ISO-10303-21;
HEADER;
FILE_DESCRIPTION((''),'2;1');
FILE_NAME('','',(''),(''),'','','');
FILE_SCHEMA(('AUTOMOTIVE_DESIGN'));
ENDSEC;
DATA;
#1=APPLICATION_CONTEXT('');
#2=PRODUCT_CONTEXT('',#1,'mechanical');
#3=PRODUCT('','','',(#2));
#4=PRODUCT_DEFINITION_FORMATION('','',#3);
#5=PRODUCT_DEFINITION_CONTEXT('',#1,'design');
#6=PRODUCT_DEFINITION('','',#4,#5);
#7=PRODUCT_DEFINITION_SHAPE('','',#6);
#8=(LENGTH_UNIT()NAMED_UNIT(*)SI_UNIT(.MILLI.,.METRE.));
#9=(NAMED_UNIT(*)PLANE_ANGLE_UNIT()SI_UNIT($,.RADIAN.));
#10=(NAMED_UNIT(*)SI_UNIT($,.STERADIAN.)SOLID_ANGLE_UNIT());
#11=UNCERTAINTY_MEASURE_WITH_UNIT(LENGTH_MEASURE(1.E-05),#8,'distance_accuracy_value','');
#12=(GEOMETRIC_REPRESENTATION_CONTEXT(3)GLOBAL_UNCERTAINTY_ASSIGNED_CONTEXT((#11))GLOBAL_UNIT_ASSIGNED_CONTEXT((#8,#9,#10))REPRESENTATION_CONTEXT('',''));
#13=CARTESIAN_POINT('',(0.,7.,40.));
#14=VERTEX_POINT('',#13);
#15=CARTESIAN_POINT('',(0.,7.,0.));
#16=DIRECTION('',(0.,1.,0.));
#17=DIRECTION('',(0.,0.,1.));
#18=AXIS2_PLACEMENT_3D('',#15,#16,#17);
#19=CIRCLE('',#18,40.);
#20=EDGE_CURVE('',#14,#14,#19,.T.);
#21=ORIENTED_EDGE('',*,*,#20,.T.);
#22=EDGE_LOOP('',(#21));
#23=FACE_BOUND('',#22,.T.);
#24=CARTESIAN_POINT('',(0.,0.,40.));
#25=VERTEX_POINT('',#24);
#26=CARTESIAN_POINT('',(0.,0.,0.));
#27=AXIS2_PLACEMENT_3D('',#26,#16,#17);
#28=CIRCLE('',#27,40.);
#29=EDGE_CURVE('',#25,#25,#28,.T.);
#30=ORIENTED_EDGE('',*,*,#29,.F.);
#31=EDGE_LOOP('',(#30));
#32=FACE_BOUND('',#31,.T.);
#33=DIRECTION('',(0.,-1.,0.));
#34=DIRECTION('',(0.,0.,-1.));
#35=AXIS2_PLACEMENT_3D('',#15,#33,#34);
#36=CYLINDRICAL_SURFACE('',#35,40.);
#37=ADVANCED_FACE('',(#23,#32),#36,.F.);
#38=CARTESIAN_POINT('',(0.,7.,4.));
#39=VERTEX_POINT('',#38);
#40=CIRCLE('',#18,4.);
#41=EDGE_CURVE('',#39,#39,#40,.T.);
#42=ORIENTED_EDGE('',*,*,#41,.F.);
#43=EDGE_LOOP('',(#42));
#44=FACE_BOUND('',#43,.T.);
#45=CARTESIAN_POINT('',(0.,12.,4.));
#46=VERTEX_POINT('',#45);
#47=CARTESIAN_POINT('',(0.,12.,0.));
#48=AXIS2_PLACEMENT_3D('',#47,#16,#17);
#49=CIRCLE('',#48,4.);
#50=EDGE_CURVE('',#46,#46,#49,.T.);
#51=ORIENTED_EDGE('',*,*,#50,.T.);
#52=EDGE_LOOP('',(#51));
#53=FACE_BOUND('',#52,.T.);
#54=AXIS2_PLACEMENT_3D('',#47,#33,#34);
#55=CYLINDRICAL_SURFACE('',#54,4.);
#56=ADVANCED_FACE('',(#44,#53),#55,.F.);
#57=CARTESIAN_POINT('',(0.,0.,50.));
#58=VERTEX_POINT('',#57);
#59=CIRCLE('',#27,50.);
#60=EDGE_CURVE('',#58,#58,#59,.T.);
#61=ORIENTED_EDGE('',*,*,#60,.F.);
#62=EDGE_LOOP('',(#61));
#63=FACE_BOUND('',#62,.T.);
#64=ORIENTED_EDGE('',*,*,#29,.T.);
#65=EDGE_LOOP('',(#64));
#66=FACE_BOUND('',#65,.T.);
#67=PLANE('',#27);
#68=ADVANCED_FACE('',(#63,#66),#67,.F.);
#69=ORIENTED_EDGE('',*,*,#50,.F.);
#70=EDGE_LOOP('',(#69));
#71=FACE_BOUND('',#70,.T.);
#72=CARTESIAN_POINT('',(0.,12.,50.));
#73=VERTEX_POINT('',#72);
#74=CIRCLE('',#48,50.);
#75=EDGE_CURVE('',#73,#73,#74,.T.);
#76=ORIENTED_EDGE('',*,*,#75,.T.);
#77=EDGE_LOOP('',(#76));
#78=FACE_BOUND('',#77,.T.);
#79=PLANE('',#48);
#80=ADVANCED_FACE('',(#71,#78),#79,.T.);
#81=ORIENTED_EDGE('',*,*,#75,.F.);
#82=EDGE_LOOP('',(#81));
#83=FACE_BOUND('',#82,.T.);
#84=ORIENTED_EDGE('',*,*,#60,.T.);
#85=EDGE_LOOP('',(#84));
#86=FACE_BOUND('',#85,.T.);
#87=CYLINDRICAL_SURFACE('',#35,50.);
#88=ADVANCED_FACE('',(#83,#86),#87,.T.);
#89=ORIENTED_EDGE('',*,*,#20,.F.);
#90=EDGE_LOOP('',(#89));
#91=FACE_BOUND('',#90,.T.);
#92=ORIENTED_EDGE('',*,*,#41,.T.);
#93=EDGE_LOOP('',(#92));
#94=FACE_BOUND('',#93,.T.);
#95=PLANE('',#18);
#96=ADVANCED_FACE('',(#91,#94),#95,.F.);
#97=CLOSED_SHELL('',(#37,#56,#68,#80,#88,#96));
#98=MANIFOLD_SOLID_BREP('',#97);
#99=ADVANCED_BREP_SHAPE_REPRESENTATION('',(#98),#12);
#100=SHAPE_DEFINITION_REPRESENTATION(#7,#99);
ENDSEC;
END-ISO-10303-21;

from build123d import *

# Parameters (mm, degrees)
SKETCH1_R           = 50
SKETCH1_R_2         = 40
BOSS_EXTRUDE1_DEPTH = 7
SKETCH2_R           = 50
SKETCH2_R_2         = 4
BOSS_EXTRUDE2_DEPTH = 5


with BuildPart() as part:
    # Sketch1 → Boss-Extrude1 (new body)
    with BuildSketch(Plane(origin=(0, 0, 0), x_dir=(1, 0, 0), z_dir=(0, 1, 0))):
        Circle(SKETCH1_R)
        Circle(SKETCH1_R_2, mode=Mode.SUBTRACT)
    extrude(amount=BOSS_EXTRUDE1_DEPTH)

    # Sketch2 → Boss-Extrude2 (add)
    with BuildSketch(Plane(origin=(0, 7, 0), x_dir=(1, 0, 0), z_dir=(0, 1, 0))):
        Circle(SKETCH2_R)
        Circle(SKETCH2_R_2, mode=Mode.SUBTRACT)
    extrude(amount=BOSS_EXTRUDE2_DEPTH)


solid = part.part
